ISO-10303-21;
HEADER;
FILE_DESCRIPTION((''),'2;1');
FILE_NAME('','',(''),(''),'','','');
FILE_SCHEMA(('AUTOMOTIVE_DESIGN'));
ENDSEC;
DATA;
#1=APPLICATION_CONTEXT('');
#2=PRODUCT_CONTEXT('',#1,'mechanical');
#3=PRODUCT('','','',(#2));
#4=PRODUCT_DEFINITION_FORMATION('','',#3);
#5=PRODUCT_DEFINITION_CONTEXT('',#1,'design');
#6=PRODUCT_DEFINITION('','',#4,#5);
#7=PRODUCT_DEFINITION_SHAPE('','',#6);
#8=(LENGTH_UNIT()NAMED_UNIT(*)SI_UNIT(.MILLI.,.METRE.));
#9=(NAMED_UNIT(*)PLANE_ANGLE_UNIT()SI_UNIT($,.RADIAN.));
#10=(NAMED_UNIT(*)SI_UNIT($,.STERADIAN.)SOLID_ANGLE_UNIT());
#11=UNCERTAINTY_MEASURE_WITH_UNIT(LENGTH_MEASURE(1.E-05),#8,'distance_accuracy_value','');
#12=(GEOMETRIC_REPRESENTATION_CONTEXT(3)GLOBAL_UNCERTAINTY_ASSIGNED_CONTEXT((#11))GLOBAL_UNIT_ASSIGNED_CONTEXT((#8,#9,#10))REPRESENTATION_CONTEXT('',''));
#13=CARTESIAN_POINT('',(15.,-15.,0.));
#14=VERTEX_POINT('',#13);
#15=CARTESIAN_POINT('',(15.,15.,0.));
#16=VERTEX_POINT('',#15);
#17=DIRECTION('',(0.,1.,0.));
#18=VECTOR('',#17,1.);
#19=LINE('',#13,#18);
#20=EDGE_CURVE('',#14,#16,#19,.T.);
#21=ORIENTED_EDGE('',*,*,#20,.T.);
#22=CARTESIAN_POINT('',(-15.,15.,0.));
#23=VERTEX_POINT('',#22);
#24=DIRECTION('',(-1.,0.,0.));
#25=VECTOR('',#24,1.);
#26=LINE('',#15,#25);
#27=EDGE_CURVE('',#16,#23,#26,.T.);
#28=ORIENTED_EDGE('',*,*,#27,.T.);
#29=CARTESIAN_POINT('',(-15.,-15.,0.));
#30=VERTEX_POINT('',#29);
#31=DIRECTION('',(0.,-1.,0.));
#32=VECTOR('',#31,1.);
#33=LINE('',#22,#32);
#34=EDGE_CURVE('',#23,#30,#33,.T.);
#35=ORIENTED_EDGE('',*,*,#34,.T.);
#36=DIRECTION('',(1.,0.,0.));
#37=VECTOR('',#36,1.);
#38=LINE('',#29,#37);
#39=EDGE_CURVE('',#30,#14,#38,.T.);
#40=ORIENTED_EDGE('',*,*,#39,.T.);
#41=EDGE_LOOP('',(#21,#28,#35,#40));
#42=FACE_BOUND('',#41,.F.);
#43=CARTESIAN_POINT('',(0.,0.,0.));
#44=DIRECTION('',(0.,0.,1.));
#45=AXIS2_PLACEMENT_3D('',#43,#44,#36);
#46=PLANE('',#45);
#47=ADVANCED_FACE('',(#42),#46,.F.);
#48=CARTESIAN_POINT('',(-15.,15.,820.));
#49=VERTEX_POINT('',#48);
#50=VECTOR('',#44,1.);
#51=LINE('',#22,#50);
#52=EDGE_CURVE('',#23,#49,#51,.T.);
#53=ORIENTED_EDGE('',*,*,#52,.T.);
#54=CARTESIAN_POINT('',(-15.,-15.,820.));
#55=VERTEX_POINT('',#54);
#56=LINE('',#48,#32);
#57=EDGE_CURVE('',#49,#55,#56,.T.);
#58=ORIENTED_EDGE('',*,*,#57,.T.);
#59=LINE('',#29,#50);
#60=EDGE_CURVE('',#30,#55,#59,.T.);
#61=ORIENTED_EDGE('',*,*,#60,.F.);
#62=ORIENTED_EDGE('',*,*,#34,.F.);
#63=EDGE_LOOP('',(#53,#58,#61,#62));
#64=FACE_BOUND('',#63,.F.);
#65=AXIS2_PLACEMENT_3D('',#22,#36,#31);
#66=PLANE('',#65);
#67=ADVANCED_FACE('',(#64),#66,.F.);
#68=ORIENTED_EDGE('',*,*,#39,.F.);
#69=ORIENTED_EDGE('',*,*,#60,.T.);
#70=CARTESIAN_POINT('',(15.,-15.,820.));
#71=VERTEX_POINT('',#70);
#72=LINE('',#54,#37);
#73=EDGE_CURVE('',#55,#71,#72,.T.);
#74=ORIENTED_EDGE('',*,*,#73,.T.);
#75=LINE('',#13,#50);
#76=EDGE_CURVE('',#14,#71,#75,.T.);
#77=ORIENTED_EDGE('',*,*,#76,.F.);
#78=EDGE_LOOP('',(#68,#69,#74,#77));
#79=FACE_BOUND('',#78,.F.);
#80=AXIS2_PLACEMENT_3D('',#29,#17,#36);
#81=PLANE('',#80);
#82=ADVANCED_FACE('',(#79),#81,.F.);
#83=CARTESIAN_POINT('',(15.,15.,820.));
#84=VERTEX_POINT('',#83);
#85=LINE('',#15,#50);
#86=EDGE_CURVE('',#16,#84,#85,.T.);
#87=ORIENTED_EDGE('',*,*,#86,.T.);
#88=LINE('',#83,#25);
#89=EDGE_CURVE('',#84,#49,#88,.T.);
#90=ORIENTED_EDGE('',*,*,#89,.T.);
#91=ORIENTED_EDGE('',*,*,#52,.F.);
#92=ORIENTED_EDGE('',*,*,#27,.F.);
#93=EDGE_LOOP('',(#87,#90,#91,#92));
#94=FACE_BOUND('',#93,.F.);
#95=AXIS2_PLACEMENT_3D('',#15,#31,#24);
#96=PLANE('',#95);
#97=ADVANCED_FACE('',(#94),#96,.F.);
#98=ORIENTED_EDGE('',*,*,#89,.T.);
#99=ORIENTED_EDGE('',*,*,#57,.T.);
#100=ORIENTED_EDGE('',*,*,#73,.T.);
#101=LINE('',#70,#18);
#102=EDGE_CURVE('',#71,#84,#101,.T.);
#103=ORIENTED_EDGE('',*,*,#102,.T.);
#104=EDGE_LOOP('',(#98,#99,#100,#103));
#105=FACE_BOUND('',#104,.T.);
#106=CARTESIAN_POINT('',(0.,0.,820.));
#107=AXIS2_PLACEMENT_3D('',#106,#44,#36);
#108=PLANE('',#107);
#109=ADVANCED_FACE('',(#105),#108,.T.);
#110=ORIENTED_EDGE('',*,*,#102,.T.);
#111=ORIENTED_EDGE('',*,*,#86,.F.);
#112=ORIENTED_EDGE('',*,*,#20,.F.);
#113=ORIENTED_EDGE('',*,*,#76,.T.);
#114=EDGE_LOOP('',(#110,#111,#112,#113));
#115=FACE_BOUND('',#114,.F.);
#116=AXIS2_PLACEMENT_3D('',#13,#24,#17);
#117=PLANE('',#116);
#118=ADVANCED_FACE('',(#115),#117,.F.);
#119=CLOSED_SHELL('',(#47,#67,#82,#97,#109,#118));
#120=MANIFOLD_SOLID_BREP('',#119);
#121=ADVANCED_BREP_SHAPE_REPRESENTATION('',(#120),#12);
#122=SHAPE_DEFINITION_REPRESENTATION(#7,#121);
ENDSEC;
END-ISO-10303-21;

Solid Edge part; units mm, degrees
sketch "Sketch1" plane through (0, 0, 0) normal (0, 0, 1) x (1, 0, 0)
  line L0 (-15, -15) -> (15, -15)
  line L1 (15, -15) -> (15, 15)
  line L2 (15, 15) -> (-15, 15)
  line L3 (-15, 15) -> (-15, -15)
extrude "Protrusion1" add sketch "Sketch1" along normal blind 820
